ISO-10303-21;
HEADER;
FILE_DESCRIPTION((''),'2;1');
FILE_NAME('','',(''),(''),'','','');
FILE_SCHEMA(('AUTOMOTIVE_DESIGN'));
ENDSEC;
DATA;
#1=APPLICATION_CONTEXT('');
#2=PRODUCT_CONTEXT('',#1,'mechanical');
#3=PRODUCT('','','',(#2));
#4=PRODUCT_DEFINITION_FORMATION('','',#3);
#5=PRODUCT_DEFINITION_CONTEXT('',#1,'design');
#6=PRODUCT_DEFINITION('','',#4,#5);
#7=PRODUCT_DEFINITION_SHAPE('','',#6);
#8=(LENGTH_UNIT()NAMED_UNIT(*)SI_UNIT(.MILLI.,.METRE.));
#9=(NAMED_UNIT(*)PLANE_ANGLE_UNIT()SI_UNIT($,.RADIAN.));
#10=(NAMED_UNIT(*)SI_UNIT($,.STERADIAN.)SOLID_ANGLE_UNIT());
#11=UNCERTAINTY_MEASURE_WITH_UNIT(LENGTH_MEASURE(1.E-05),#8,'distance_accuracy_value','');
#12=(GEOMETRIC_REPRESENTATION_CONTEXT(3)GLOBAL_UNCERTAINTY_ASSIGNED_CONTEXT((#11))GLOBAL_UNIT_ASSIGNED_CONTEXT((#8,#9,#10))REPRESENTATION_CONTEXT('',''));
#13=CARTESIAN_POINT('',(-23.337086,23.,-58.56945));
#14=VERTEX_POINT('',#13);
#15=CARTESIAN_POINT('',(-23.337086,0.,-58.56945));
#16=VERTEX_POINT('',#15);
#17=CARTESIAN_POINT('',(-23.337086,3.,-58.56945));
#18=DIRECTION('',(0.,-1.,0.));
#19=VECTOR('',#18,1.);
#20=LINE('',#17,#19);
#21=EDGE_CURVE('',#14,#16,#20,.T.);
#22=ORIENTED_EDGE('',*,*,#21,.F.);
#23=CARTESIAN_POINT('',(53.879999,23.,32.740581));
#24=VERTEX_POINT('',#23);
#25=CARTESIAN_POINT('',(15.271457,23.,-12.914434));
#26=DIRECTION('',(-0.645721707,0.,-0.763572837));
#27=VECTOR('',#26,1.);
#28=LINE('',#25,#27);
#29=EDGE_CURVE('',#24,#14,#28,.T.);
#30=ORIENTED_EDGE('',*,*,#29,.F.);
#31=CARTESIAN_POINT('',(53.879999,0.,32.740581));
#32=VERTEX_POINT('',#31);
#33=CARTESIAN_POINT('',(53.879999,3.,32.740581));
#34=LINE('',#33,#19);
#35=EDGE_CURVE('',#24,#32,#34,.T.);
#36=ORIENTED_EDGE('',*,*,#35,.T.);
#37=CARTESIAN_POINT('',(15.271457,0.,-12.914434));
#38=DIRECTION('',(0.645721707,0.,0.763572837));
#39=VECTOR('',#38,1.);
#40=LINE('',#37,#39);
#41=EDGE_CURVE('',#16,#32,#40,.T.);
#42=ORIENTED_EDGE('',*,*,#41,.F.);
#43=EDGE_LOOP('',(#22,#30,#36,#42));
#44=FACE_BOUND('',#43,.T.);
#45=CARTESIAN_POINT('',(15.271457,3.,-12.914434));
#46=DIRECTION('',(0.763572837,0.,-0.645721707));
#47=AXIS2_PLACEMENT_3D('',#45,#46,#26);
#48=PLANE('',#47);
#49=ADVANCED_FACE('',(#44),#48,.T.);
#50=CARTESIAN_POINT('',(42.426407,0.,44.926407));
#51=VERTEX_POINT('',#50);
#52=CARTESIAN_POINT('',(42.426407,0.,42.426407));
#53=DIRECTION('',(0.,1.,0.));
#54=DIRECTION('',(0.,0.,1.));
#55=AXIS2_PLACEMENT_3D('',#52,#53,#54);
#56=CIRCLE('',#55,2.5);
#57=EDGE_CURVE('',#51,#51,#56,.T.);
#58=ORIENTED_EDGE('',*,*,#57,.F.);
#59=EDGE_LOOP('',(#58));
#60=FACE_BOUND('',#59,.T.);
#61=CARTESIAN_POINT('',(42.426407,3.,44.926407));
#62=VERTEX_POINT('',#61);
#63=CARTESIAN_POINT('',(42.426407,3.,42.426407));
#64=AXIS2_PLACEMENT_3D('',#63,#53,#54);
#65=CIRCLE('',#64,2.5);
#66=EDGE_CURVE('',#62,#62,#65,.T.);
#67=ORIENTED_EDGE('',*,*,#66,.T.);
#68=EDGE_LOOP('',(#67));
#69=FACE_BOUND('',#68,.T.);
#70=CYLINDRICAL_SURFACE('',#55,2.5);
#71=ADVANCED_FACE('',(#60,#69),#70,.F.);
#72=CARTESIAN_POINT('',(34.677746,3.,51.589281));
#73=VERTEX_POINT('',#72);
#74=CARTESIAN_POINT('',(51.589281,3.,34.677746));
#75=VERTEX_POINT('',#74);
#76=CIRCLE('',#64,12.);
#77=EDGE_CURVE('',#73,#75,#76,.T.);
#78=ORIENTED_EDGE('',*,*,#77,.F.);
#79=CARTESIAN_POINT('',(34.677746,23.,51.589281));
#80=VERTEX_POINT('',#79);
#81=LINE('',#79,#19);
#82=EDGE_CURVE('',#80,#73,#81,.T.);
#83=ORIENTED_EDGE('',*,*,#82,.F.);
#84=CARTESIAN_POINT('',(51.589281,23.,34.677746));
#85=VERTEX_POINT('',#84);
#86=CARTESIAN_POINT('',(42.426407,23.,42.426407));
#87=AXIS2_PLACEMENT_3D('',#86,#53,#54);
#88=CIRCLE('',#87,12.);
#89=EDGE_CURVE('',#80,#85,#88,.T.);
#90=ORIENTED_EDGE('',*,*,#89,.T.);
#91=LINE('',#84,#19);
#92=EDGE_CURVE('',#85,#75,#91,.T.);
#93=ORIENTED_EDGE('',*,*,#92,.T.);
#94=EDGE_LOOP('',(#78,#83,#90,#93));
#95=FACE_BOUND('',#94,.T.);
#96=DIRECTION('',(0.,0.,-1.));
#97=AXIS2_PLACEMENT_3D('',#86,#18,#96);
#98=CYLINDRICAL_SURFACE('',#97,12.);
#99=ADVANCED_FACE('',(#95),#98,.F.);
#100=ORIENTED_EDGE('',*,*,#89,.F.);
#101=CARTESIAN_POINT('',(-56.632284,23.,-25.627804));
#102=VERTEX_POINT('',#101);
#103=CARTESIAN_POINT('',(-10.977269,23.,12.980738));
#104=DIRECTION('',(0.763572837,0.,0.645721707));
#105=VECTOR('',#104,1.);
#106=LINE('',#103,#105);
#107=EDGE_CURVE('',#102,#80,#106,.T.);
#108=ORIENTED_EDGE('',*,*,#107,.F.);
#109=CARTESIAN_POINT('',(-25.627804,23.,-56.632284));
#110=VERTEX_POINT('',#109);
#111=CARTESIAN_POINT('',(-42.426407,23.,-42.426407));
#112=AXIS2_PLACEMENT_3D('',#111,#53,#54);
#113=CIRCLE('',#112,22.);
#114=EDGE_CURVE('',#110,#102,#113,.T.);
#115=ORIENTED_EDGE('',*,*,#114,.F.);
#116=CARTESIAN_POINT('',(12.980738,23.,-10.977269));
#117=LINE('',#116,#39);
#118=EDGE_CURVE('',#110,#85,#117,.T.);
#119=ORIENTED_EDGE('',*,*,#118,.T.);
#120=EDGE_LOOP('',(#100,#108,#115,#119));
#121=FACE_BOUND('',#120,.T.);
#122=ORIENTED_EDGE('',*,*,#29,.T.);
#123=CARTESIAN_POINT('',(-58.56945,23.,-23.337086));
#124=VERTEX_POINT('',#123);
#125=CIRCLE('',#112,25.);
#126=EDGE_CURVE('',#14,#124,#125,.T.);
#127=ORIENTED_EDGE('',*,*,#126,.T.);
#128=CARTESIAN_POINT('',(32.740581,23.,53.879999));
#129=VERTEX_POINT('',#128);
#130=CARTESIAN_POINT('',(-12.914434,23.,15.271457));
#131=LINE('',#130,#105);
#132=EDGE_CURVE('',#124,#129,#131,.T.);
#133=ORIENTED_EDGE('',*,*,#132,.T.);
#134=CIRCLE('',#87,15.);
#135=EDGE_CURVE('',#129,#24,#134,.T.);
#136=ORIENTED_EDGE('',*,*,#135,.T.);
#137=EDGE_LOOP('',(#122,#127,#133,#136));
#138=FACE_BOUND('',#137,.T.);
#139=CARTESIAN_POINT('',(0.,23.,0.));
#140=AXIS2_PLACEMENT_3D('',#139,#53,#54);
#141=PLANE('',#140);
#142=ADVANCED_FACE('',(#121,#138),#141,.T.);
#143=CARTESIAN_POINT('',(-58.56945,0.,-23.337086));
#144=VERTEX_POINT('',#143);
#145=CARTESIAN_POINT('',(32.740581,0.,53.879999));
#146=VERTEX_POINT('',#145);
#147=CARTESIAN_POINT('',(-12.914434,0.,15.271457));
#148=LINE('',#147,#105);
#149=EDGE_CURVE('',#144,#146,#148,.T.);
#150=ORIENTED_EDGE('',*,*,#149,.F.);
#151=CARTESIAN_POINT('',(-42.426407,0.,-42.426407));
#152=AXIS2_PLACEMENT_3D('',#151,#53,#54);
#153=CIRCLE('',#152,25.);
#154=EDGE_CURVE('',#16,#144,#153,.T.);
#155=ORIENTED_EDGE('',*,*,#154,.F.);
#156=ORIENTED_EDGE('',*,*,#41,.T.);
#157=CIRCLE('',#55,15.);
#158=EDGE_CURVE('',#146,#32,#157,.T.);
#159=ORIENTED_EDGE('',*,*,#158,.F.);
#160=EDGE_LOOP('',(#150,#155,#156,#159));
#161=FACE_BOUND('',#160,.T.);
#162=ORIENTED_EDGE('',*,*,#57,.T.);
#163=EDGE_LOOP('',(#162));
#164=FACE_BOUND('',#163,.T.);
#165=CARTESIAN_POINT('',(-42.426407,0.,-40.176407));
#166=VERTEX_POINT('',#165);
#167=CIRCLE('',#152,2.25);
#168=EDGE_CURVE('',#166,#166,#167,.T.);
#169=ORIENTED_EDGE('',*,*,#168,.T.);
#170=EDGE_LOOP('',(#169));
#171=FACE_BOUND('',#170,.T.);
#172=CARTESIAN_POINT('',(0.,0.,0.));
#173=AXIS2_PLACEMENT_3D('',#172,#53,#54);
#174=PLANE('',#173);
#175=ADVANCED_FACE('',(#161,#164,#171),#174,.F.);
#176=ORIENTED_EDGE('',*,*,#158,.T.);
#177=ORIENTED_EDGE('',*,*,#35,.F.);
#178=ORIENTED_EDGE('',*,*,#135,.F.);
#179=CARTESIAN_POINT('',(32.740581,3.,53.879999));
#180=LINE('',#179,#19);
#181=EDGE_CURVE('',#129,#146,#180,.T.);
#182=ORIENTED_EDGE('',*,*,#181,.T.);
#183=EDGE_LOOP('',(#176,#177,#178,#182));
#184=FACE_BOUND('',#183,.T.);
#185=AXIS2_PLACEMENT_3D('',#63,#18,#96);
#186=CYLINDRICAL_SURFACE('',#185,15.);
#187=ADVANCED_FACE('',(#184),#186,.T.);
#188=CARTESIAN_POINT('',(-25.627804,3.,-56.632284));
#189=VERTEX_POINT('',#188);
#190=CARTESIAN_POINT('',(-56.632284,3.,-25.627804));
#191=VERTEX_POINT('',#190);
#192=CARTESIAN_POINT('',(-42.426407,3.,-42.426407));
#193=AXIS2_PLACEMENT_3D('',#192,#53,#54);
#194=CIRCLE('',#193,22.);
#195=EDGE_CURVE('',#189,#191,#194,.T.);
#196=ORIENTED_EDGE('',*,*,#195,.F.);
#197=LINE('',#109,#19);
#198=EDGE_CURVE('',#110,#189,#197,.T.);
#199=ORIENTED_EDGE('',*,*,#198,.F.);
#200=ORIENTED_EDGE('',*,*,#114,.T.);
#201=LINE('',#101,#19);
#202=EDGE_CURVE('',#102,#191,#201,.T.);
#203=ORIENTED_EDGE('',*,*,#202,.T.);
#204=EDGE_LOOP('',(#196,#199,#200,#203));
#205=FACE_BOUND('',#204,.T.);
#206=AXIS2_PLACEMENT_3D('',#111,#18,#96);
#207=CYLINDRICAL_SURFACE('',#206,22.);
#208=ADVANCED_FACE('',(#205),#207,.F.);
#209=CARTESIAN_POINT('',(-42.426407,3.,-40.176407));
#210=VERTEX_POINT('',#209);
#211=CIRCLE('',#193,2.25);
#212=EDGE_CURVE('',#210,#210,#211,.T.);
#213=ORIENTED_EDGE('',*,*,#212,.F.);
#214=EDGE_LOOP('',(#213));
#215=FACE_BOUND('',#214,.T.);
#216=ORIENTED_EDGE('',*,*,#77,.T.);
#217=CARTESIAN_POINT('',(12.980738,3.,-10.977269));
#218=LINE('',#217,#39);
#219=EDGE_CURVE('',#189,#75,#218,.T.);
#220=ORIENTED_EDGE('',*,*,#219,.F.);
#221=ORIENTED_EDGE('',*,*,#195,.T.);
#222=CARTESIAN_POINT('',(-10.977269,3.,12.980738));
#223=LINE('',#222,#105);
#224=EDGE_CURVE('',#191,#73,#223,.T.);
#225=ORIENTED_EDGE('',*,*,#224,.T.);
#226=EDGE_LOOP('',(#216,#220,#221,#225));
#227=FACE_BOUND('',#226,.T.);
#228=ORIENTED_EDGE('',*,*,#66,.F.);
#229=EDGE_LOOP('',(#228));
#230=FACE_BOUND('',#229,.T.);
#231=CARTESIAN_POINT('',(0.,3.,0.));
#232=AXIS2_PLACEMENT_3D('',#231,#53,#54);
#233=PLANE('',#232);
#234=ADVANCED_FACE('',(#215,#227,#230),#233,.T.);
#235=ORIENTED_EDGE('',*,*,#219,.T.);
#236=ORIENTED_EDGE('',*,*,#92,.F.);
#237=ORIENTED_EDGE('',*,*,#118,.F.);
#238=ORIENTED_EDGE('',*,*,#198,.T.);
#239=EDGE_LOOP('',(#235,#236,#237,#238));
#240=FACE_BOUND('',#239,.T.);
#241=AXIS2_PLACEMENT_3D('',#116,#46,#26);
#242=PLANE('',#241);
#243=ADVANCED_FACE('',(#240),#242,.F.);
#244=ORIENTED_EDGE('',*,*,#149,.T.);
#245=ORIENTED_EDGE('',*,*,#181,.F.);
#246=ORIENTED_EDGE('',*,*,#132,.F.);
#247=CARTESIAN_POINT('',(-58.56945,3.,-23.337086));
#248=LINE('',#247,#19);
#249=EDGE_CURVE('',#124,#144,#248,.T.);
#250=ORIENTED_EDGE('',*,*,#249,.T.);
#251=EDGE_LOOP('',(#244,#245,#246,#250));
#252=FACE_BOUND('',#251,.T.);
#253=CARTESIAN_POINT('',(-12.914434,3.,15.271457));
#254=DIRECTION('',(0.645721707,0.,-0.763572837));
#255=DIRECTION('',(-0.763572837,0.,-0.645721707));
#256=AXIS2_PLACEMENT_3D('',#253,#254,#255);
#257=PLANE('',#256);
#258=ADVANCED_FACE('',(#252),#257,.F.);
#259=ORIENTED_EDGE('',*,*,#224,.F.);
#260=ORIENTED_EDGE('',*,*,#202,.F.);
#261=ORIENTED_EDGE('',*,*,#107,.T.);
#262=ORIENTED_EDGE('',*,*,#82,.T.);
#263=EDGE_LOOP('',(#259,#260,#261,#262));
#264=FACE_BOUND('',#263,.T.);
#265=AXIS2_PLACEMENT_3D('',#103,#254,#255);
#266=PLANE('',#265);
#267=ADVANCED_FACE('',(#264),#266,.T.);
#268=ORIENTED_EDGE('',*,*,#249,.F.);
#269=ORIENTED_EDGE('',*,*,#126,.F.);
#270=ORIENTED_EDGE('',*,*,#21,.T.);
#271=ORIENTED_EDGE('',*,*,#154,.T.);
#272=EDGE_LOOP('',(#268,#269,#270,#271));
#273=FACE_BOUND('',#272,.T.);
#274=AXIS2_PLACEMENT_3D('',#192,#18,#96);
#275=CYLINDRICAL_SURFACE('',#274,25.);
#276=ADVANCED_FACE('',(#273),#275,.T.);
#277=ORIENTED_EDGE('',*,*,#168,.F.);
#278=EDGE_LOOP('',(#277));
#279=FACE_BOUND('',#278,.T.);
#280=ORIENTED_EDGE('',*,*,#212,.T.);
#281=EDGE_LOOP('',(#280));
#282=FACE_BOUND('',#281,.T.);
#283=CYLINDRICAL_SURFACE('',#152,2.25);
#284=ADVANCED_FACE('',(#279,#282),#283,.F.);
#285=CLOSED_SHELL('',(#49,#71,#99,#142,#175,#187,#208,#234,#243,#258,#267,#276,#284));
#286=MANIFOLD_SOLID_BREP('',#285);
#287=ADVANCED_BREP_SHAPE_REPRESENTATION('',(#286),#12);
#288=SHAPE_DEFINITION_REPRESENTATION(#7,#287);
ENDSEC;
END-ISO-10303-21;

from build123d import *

# Parameters (mm, degrees)
EXTRUDE_2_DEPTH     = 3
EXTRUDE_3_DEPTH     = 20
SKETCH_5_R          = 2.25
SKETCH_5_R_2        = 2.5
CUT_EXTRUDE_1_DEPTH = 98.430183655


with BuildPart() as part:
    # 草图2 → 凸台-拉伸2 (new body)
    with BuildSketch(Plane(origin=(0, 0, 0), x_dir=(1, 0, 0), z_dir=(0, 1, 0))):
        with BuildLine():
            Line((-58.569449541, 23.337085947), (32.740581269, -53.879999426))
            ThreePointArc((32.740581269, -53.879999426), (53.033008589, -53.033008589), (53.879999426, -32.740581269))
            Line((53.879999426, -32.740581269), (-23.337085947, 58.569449541))
            ThreePointArc((-23.337085947, 58.569449541), (-60.104076401, 60.104076401), (-58.569449541, 23.337085947))
        make_face()
    extrude(amount=EXTRUDE_2_DEPTH)

    # 草图4 → 凸台-拉伸3 (add)
    with BuildSketch(Plane(origin=(0, 3, 0), x_dir=(1, 0, 0), z_dir=(0, 1, 0))):
        with BuildLine():
            ThreePointArc((-23.337085947, 58.569449541), (-60.104076401, 60.104076401), (-58.569449541, 23.337085947))
            Line((-58.569449541, 23.337085947), (32.740581269, -53.879999426))
            ThreePointArc((32.740581269, -53.879999426), (53.033008589, -53.033008589), (53.879999426, -32.740581269))
            Line((53.879999426, -32.740581269), (-23.337085947, 58.569449541))
        make_face()
        with BuildLine():
            ThreePointArc((-56.632284421, 25.627804458), (-57.982756057, 57.982756057), (-25.627804458, 56.632284421))
            Line((-25.627804458, 56.632284421), (51.589280915, -34.67774639))
            ThreePointArc((51.589280915, -34.67774639), (50.911688245, -50.911688245), (34.67774639, -51.589280915))
            Line((34.67774639, -51.589280915), (-56.632284421, 25.627804458))
        make_face(mode=Mode.SUBTRACT)
    extrude(amount=EXTRUDE_3_DEPTH)

    # 草图5 → 切除-拉伸1 (cut, through all)
    with BuildSketch(Plane(origin=(0, 3, 0), x_dir=(1, 0, 0), z_dir=(0, 1, 0))):
        with Locations(Location((-42.426406871, 42.426406871, 0), (0, 0, 270))):
            Circle(SKETCH_5_R)
        with Locations(Location((42.426406871, -42.426406871, 0), (0, 0, 270))):
            Circle(SKETCH_5_R_2)
    extrude(amount=-CUT_EXTRUDE_1_DEPTH, mode=Mode.SUBTRACT)


solid = part.part
